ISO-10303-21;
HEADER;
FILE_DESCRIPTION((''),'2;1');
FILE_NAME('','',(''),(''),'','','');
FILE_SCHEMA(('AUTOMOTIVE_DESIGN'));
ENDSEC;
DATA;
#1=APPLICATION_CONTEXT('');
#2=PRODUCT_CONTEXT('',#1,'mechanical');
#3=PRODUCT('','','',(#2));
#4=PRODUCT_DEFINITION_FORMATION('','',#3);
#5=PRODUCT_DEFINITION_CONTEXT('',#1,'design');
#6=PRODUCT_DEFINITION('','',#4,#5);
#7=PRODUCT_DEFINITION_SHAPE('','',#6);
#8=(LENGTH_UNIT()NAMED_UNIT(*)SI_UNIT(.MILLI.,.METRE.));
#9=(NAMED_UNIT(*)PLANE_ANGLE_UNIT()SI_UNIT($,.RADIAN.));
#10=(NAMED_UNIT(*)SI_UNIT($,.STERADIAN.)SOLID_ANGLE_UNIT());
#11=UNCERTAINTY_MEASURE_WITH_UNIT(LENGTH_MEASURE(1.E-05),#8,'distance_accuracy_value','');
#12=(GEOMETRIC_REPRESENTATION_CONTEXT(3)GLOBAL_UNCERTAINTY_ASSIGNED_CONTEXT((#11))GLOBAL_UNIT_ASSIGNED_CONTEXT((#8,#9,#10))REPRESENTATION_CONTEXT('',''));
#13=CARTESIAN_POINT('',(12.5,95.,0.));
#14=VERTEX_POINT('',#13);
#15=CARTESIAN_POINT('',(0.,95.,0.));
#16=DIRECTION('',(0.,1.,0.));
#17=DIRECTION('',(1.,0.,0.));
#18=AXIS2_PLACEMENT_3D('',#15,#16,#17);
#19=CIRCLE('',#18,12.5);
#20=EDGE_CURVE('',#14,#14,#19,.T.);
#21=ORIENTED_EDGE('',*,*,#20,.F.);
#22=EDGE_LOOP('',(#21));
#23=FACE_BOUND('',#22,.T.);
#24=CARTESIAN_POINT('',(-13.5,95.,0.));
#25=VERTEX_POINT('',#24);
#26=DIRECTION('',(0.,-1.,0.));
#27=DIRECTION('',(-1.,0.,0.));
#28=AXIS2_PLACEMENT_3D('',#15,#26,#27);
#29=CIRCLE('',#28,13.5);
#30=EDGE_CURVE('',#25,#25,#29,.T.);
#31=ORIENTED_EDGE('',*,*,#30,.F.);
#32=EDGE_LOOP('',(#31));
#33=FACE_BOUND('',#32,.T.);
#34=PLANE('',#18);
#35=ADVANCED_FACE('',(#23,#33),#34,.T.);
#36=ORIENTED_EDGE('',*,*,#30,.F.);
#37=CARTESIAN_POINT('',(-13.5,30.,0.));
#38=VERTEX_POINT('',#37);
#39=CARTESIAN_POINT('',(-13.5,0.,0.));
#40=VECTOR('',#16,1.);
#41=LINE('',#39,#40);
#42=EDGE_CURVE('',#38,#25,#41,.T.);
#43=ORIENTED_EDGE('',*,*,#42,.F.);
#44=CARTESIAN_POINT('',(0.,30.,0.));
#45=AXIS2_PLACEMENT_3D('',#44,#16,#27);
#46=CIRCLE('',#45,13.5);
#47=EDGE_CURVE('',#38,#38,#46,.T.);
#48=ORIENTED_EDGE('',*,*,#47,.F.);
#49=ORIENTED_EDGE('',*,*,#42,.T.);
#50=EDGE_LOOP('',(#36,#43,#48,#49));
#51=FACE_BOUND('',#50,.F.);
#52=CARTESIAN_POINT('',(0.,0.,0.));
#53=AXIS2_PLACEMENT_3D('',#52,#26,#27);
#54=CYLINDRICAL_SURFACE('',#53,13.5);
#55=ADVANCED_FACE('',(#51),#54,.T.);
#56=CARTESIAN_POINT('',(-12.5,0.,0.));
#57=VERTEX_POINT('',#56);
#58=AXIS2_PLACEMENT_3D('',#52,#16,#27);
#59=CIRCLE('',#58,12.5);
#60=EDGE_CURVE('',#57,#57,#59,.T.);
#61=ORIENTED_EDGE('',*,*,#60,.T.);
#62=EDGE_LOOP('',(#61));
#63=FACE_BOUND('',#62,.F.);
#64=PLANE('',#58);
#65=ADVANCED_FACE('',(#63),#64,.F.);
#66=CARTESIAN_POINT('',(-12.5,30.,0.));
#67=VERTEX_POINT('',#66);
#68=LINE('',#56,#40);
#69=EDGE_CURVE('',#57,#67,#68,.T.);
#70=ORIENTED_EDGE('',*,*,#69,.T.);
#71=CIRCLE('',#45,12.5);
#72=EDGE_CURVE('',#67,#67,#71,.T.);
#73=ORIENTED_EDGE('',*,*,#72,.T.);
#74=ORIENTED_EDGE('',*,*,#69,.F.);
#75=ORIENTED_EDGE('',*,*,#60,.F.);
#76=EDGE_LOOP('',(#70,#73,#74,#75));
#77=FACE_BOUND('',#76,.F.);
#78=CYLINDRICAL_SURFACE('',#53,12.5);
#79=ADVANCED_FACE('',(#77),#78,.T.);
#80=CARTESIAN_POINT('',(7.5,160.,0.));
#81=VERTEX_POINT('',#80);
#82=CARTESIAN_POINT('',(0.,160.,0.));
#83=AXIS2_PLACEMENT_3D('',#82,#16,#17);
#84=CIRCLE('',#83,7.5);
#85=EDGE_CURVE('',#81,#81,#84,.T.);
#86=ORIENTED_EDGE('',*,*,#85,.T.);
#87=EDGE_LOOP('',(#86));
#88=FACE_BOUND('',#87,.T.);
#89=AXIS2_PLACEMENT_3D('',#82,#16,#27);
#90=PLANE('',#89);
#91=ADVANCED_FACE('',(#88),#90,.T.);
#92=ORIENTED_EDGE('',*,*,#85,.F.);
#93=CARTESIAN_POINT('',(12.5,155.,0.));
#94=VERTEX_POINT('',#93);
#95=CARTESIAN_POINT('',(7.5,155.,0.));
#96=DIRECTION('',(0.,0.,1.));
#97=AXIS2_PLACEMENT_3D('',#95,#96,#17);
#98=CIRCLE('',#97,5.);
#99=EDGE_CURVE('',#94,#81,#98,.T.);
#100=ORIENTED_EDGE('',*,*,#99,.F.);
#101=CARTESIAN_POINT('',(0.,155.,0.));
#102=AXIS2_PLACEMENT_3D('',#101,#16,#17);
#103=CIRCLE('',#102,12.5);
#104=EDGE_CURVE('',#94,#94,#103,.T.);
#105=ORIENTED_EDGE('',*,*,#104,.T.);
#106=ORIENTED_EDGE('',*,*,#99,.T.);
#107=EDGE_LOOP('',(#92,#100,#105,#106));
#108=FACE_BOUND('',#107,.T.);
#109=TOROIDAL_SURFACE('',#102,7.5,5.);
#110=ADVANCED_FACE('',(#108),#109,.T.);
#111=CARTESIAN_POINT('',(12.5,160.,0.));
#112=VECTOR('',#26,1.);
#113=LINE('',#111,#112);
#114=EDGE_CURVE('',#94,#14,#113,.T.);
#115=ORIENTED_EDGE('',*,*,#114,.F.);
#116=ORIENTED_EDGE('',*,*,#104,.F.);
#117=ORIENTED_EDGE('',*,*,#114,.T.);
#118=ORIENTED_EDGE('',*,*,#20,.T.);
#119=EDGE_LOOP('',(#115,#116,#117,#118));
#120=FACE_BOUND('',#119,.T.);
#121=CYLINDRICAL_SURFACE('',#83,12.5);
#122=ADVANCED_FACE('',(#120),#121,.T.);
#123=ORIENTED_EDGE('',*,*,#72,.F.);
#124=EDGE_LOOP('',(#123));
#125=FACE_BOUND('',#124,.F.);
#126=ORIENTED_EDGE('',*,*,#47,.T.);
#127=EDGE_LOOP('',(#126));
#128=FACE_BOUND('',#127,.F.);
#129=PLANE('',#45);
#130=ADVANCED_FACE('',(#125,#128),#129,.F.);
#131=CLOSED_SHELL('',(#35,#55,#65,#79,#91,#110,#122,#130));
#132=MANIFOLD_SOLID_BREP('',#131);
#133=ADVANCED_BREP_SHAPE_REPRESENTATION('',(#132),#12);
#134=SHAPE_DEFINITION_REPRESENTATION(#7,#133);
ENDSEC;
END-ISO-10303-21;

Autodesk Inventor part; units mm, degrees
ref_plane "YZ Plane" through (0, 0, 0) normal (1, 0, 0) x (0, 1, 0)
ref_plane "XZ Plane" through (0, 0, 0) normal (0, 1, 0) x (-1, 0, 0)
ref_plane "XY Plane" through (0, 0, 0) normal (0, 0, 1) x (1, 0, 0)
sketch "Sketch1" plane through (0, 0, 0) normal (0, 1, 0) x (-1, 0, 0)
  circle A0 centre (0, 0) radius 13.5
  circle A1 centre (0, 0) radius 12.5
  dimension "d0" = 27
  dimension "d6" = 25
extrude "Extrusion1" add sketch "Sketch1" along normal blind 160 contours A0 | A1
sketch "Sketch2" plane through (0, 160, 0) normal (0, 1, 0) x (1, 0, 0)
  circle A0 centre (0, 0) radius 13.5 projected
  circle A1 centre (0, 0) radius 12.5
  dimension "d3" = 25
extrude "Extrusion2" cut sketch "Sketch2" against normal blind 65
extrude "Extrusion3" cut sketch "Sketch1" along normal blind 30
fillet "Fillet1" radius 5 1 edges at (-12.5, 160, 0)
thread "Thread1" size "M25x1.5" class "6g" standard "ANSI Metric M Profile" length 60
thread "Thread2" size "M25x1.5" class "6g" standard "ANSI Metric M Profile" length 30
properties part number "Stud" material "Steel, High Strength, Low Alloy"
